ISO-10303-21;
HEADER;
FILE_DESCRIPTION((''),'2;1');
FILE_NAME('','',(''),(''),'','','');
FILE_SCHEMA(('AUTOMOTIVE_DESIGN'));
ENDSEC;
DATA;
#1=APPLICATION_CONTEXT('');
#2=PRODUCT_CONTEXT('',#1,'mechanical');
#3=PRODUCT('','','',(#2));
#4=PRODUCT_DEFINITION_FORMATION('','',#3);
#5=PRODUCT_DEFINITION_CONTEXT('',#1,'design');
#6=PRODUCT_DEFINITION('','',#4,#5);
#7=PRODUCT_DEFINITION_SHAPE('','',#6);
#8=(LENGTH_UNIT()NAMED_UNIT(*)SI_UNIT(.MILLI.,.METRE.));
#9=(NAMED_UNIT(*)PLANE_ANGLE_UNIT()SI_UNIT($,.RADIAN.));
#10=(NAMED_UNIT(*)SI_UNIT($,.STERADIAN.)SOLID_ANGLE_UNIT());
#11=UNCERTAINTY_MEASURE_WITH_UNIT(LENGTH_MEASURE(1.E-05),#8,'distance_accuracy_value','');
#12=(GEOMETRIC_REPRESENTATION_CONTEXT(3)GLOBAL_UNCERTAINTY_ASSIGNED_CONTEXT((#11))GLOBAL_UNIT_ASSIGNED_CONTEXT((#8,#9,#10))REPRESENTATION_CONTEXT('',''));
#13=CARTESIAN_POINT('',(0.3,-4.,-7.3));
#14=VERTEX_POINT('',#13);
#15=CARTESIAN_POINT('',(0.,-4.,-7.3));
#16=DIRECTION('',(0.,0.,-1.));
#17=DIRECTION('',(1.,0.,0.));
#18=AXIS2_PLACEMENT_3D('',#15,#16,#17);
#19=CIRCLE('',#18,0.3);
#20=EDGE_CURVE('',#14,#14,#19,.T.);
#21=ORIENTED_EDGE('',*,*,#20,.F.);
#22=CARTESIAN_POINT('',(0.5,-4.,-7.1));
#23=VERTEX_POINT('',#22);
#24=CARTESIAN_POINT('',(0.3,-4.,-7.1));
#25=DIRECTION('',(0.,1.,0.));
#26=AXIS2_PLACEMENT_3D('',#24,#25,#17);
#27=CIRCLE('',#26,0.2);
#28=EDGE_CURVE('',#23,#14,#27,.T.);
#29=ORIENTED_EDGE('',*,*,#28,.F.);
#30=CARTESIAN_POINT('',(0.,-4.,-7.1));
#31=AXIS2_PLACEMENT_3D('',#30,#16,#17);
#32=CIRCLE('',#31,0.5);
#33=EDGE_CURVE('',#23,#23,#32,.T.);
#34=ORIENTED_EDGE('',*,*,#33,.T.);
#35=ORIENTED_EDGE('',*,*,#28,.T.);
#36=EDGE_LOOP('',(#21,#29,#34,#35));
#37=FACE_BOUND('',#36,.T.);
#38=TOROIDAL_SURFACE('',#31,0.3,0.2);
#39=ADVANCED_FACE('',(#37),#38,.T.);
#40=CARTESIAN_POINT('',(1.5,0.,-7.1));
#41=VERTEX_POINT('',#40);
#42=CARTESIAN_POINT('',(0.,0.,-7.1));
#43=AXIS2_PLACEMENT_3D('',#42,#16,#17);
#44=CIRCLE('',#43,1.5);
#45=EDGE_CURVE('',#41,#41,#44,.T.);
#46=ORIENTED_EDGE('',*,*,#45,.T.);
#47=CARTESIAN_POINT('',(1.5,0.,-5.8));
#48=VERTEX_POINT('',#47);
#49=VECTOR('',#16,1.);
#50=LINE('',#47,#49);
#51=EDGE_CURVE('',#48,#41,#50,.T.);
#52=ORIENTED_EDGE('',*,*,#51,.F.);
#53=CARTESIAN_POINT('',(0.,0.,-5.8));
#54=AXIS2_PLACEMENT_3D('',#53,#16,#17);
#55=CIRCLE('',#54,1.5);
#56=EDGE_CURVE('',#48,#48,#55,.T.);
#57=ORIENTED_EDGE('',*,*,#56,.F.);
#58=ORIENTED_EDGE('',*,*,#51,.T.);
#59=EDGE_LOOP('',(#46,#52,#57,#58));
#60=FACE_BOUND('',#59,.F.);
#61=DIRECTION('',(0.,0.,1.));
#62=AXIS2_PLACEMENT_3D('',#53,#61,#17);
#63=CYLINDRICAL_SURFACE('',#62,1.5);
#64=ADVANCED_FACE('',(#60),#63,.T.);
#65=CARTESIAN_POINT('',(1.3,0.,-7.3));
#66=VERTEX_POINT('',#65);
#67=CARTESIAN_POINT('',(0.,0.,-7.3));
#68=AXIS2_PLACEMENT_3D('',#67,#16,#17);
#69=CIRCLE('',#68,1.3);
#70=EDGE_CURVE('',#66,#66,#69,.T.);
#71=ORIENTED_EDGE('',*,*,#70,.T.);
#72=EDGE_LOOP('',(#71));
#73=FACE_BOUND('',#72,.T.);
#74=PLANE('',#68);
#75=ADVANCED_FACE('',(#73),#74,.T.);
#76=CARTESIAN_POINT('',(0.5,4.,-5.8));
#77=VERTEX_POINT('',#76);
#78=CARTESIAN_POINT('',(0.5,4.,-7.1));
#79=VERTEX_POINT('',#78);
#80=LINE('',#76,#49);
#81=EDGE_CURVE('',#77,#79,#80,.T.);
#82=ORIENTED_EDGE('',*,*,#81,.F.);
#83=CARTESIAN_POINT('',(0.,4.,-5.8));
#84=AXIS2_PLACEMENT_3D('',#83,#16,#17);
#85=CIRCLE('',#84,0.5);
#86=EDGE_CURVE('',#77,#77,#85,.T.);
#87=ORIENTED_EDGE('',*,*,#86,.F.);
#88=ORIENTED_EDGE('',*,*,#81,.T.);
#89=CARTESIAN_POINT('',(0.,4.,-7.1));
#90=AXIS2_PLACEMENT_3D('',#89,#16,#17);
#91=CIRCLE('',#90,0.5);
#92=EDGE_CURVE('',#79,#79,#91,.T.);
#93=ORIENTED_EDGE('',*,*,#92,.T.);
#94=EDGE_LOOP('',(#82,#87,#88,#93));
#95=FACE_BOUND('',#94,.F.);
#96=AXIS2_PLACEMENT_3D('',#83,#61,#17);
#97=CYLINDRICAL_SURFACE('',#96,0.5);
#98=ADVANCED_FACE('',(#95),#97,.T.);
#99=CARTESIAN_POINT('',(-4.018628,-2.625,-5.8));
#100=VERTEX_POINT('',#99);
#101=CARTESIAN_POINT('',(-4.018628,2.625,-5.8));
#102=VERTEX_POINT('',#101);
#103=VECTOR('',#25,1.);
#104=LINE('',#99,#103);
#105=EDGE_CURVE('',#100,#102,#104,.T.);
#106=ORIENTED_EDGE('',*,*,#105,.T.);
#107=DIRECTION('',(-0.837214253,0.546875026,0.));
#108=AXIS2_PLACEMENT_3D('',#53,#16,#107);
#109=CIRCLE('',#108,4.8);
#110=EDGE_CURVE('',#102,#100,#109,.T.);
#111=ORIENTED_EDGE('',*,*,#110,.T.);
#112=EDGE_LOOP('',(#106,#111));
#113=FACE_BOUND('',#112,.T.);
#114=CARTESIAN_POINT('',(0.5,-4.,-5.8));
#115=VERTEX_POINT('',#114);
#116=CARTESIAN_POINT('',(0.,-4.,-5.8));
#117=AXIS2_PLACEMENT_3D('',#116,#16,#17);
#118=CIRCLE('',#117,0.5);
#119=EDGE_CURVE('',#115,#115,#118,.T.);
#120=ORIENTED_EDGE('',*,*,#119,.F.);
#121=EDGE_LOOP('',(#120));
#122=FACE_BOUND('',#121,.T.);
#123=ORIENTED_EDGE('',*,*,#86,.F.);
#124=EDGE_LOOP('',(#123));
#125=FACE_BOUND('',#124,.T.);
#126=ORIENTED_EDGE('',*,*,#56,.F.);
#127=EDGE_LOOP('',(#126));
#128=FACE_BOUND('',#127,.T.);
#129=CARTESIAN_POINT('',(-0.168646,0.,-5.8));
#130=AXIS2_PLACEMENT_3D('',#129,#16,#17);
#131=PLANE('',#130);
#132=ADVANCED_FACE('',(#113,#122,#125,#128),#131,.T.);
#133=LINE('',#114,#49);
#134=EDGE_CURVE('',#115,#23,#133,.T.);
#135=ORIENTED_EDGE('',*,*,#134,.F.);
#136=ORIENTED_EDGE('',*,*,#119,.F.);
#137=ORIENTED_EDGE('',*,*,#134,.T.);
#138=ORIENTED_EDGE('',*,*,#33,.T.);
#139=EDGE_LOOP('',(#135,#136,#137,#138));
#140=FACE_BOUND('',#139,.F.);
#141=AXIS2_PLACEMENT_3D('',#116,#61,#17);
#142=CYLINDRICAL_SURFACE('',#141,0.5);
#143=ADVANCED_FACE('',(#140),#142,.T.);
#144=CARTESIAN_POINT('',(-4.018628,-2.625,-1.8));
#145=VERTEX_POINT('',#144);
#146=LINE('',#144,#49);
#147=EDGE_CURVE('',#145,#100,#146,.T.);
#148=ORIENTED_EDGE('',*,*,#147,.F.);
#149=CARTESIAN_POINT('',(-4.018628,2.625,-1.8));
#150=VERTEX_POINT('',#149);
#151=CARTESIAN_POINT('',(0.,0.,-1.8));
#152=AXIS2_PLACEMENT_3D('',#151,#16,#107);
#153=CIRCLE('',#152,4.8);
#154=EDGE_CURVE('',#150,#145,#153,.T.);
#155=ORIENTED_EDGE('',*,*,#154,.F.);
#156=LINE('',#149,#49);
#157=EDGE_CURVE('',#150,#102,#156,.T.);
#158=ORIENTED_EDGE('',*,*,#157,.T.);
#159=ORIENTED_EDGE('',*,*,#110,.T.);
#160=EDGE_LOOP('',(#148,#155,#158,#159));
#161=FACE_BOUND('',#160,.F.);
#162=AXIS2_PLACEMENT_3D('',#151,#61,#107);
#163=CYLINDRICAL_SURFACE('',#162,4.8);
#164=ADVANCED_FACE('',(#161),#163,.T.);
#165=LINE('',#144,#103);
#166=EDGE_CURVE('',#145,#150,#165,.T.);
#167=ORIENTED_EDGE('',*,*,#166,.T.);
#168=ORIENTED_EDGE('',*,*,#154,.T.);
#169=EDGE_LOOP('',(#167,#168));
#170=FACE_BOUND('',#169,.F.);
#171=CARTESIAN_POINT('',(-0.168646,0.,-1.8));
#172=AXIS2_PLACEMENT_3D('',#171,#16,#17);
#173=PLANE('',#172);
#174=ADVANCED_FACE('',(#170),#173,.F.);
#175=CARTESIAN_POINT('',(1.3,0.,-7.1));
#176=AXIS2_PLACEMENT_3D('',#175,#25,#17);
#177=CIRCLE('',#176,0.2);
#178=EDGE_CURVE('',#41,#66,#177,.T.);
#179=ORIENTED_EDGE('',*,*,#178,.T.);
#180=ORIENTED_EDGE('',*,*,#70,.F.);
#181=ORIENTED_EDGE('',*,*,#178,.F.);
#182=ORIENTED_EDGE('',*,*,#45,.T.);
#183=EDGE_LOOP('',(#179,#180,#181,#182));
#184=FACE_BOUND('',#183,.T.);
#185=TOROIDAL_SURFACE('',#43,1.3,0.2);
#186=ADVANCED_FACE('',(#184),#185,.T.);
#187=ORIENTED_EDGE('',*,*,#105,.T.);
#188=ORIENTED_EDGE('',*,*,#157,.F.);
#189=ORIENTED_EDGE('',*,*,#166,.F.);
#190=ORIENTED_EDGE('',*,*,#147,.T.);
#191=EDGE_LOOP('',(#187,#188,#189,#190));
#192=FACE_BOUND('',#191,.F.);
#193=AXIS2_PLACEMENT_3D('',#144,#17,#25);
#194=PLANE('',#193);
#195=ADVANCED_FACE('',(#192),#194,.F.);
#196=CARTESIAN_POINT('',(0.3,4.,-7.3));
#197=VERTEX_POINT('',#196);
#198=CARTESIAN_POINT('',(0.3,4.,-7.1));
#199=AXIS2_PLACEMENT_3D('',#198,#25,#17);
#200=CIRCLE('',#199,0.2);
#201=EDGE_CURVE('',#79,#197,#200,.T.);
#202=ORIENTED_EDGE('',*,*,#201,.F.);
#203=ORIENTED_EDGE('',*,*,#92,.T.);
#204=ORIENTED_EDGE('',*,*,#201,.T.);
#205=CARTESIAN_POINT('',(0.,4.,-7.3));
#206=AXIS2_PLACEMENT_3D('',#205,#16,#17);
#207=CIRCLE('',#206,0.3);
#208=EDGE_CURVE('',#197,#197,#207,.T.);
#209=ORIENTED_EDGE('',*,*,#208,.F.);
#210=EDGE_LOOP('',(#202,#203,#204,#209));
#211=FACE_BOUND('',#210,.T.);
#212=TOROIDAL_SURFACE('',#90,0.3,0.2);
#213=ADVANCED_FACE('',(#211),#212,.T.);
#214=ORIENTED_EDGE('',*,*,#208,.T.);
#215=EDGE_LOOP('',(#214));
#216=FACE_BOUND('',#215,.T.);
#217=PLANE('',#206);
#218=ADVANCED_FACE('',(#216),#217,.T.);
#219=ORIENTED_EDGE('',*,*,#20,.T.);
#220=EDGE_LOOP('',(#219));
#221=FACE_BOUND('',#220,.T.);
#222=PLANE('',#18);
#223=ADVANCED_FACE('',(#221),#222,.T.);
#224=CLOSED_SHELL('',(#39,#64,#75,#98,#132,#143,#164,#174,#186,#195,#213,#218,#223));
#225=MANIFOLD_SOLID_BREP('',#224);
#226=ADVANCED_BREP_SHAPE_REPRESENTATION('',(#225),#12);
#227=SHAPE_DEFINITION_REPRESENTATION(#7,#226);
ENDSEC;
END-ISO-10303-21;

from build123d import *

# Parameters (mm, degrees)
PAD002_DEPTH  = 4
SKETCH006_R   = 1.5
SKETCH006_R_2 = 0.5
PAD003_DEPTH  = 1.5
FILLET_R      = 0.2


with BuildPart() as part:
    # Sketch005 (on Face1 of CopyPocket002) → Pad002 (new body)
    with BuildSketch(Plane(origin=(0, 0, -1.8), x_dir=(1, 0, 0), z_dir=(0, 0, -1))):
        with BuildLine():
            ThreePointArc((-4.018628, -2.625), (4.8, 0), (-4.018628, 2.625))
            Line((-4.018628, 2.625), (-4.018628, -2.625))
        make_face()
    extrude(amount=PAD002_DEPTH)

    # Sketch006 (on Face4 of Pad002) → Pad003 (join)
    with BuildSketch(Plane(origin=(0, 0, -5.8), x_dir=(1, 0, 0), z_dir=(0, 0, -1))):
        Circle(SKETCH006_R)
        with Locations((0, 4)):
            Circle(SKETCH006_R_2)
        with Locations((0, -4)):
            Circle(SKETCH006_R_2)
    extrude(amount=PAD003_DEPTH)

    # Fillet
    fillet_edges = [part.edges().sort_by_distance(p)[0] for p in [
        (-0.5, -4, -7.3),
        (-0.5, 4, -7.3),
        (-1.5, 0, -7.3),
    ]]
    fillet(fillet_edges, radius=FILLET_R)


solid = part.part
